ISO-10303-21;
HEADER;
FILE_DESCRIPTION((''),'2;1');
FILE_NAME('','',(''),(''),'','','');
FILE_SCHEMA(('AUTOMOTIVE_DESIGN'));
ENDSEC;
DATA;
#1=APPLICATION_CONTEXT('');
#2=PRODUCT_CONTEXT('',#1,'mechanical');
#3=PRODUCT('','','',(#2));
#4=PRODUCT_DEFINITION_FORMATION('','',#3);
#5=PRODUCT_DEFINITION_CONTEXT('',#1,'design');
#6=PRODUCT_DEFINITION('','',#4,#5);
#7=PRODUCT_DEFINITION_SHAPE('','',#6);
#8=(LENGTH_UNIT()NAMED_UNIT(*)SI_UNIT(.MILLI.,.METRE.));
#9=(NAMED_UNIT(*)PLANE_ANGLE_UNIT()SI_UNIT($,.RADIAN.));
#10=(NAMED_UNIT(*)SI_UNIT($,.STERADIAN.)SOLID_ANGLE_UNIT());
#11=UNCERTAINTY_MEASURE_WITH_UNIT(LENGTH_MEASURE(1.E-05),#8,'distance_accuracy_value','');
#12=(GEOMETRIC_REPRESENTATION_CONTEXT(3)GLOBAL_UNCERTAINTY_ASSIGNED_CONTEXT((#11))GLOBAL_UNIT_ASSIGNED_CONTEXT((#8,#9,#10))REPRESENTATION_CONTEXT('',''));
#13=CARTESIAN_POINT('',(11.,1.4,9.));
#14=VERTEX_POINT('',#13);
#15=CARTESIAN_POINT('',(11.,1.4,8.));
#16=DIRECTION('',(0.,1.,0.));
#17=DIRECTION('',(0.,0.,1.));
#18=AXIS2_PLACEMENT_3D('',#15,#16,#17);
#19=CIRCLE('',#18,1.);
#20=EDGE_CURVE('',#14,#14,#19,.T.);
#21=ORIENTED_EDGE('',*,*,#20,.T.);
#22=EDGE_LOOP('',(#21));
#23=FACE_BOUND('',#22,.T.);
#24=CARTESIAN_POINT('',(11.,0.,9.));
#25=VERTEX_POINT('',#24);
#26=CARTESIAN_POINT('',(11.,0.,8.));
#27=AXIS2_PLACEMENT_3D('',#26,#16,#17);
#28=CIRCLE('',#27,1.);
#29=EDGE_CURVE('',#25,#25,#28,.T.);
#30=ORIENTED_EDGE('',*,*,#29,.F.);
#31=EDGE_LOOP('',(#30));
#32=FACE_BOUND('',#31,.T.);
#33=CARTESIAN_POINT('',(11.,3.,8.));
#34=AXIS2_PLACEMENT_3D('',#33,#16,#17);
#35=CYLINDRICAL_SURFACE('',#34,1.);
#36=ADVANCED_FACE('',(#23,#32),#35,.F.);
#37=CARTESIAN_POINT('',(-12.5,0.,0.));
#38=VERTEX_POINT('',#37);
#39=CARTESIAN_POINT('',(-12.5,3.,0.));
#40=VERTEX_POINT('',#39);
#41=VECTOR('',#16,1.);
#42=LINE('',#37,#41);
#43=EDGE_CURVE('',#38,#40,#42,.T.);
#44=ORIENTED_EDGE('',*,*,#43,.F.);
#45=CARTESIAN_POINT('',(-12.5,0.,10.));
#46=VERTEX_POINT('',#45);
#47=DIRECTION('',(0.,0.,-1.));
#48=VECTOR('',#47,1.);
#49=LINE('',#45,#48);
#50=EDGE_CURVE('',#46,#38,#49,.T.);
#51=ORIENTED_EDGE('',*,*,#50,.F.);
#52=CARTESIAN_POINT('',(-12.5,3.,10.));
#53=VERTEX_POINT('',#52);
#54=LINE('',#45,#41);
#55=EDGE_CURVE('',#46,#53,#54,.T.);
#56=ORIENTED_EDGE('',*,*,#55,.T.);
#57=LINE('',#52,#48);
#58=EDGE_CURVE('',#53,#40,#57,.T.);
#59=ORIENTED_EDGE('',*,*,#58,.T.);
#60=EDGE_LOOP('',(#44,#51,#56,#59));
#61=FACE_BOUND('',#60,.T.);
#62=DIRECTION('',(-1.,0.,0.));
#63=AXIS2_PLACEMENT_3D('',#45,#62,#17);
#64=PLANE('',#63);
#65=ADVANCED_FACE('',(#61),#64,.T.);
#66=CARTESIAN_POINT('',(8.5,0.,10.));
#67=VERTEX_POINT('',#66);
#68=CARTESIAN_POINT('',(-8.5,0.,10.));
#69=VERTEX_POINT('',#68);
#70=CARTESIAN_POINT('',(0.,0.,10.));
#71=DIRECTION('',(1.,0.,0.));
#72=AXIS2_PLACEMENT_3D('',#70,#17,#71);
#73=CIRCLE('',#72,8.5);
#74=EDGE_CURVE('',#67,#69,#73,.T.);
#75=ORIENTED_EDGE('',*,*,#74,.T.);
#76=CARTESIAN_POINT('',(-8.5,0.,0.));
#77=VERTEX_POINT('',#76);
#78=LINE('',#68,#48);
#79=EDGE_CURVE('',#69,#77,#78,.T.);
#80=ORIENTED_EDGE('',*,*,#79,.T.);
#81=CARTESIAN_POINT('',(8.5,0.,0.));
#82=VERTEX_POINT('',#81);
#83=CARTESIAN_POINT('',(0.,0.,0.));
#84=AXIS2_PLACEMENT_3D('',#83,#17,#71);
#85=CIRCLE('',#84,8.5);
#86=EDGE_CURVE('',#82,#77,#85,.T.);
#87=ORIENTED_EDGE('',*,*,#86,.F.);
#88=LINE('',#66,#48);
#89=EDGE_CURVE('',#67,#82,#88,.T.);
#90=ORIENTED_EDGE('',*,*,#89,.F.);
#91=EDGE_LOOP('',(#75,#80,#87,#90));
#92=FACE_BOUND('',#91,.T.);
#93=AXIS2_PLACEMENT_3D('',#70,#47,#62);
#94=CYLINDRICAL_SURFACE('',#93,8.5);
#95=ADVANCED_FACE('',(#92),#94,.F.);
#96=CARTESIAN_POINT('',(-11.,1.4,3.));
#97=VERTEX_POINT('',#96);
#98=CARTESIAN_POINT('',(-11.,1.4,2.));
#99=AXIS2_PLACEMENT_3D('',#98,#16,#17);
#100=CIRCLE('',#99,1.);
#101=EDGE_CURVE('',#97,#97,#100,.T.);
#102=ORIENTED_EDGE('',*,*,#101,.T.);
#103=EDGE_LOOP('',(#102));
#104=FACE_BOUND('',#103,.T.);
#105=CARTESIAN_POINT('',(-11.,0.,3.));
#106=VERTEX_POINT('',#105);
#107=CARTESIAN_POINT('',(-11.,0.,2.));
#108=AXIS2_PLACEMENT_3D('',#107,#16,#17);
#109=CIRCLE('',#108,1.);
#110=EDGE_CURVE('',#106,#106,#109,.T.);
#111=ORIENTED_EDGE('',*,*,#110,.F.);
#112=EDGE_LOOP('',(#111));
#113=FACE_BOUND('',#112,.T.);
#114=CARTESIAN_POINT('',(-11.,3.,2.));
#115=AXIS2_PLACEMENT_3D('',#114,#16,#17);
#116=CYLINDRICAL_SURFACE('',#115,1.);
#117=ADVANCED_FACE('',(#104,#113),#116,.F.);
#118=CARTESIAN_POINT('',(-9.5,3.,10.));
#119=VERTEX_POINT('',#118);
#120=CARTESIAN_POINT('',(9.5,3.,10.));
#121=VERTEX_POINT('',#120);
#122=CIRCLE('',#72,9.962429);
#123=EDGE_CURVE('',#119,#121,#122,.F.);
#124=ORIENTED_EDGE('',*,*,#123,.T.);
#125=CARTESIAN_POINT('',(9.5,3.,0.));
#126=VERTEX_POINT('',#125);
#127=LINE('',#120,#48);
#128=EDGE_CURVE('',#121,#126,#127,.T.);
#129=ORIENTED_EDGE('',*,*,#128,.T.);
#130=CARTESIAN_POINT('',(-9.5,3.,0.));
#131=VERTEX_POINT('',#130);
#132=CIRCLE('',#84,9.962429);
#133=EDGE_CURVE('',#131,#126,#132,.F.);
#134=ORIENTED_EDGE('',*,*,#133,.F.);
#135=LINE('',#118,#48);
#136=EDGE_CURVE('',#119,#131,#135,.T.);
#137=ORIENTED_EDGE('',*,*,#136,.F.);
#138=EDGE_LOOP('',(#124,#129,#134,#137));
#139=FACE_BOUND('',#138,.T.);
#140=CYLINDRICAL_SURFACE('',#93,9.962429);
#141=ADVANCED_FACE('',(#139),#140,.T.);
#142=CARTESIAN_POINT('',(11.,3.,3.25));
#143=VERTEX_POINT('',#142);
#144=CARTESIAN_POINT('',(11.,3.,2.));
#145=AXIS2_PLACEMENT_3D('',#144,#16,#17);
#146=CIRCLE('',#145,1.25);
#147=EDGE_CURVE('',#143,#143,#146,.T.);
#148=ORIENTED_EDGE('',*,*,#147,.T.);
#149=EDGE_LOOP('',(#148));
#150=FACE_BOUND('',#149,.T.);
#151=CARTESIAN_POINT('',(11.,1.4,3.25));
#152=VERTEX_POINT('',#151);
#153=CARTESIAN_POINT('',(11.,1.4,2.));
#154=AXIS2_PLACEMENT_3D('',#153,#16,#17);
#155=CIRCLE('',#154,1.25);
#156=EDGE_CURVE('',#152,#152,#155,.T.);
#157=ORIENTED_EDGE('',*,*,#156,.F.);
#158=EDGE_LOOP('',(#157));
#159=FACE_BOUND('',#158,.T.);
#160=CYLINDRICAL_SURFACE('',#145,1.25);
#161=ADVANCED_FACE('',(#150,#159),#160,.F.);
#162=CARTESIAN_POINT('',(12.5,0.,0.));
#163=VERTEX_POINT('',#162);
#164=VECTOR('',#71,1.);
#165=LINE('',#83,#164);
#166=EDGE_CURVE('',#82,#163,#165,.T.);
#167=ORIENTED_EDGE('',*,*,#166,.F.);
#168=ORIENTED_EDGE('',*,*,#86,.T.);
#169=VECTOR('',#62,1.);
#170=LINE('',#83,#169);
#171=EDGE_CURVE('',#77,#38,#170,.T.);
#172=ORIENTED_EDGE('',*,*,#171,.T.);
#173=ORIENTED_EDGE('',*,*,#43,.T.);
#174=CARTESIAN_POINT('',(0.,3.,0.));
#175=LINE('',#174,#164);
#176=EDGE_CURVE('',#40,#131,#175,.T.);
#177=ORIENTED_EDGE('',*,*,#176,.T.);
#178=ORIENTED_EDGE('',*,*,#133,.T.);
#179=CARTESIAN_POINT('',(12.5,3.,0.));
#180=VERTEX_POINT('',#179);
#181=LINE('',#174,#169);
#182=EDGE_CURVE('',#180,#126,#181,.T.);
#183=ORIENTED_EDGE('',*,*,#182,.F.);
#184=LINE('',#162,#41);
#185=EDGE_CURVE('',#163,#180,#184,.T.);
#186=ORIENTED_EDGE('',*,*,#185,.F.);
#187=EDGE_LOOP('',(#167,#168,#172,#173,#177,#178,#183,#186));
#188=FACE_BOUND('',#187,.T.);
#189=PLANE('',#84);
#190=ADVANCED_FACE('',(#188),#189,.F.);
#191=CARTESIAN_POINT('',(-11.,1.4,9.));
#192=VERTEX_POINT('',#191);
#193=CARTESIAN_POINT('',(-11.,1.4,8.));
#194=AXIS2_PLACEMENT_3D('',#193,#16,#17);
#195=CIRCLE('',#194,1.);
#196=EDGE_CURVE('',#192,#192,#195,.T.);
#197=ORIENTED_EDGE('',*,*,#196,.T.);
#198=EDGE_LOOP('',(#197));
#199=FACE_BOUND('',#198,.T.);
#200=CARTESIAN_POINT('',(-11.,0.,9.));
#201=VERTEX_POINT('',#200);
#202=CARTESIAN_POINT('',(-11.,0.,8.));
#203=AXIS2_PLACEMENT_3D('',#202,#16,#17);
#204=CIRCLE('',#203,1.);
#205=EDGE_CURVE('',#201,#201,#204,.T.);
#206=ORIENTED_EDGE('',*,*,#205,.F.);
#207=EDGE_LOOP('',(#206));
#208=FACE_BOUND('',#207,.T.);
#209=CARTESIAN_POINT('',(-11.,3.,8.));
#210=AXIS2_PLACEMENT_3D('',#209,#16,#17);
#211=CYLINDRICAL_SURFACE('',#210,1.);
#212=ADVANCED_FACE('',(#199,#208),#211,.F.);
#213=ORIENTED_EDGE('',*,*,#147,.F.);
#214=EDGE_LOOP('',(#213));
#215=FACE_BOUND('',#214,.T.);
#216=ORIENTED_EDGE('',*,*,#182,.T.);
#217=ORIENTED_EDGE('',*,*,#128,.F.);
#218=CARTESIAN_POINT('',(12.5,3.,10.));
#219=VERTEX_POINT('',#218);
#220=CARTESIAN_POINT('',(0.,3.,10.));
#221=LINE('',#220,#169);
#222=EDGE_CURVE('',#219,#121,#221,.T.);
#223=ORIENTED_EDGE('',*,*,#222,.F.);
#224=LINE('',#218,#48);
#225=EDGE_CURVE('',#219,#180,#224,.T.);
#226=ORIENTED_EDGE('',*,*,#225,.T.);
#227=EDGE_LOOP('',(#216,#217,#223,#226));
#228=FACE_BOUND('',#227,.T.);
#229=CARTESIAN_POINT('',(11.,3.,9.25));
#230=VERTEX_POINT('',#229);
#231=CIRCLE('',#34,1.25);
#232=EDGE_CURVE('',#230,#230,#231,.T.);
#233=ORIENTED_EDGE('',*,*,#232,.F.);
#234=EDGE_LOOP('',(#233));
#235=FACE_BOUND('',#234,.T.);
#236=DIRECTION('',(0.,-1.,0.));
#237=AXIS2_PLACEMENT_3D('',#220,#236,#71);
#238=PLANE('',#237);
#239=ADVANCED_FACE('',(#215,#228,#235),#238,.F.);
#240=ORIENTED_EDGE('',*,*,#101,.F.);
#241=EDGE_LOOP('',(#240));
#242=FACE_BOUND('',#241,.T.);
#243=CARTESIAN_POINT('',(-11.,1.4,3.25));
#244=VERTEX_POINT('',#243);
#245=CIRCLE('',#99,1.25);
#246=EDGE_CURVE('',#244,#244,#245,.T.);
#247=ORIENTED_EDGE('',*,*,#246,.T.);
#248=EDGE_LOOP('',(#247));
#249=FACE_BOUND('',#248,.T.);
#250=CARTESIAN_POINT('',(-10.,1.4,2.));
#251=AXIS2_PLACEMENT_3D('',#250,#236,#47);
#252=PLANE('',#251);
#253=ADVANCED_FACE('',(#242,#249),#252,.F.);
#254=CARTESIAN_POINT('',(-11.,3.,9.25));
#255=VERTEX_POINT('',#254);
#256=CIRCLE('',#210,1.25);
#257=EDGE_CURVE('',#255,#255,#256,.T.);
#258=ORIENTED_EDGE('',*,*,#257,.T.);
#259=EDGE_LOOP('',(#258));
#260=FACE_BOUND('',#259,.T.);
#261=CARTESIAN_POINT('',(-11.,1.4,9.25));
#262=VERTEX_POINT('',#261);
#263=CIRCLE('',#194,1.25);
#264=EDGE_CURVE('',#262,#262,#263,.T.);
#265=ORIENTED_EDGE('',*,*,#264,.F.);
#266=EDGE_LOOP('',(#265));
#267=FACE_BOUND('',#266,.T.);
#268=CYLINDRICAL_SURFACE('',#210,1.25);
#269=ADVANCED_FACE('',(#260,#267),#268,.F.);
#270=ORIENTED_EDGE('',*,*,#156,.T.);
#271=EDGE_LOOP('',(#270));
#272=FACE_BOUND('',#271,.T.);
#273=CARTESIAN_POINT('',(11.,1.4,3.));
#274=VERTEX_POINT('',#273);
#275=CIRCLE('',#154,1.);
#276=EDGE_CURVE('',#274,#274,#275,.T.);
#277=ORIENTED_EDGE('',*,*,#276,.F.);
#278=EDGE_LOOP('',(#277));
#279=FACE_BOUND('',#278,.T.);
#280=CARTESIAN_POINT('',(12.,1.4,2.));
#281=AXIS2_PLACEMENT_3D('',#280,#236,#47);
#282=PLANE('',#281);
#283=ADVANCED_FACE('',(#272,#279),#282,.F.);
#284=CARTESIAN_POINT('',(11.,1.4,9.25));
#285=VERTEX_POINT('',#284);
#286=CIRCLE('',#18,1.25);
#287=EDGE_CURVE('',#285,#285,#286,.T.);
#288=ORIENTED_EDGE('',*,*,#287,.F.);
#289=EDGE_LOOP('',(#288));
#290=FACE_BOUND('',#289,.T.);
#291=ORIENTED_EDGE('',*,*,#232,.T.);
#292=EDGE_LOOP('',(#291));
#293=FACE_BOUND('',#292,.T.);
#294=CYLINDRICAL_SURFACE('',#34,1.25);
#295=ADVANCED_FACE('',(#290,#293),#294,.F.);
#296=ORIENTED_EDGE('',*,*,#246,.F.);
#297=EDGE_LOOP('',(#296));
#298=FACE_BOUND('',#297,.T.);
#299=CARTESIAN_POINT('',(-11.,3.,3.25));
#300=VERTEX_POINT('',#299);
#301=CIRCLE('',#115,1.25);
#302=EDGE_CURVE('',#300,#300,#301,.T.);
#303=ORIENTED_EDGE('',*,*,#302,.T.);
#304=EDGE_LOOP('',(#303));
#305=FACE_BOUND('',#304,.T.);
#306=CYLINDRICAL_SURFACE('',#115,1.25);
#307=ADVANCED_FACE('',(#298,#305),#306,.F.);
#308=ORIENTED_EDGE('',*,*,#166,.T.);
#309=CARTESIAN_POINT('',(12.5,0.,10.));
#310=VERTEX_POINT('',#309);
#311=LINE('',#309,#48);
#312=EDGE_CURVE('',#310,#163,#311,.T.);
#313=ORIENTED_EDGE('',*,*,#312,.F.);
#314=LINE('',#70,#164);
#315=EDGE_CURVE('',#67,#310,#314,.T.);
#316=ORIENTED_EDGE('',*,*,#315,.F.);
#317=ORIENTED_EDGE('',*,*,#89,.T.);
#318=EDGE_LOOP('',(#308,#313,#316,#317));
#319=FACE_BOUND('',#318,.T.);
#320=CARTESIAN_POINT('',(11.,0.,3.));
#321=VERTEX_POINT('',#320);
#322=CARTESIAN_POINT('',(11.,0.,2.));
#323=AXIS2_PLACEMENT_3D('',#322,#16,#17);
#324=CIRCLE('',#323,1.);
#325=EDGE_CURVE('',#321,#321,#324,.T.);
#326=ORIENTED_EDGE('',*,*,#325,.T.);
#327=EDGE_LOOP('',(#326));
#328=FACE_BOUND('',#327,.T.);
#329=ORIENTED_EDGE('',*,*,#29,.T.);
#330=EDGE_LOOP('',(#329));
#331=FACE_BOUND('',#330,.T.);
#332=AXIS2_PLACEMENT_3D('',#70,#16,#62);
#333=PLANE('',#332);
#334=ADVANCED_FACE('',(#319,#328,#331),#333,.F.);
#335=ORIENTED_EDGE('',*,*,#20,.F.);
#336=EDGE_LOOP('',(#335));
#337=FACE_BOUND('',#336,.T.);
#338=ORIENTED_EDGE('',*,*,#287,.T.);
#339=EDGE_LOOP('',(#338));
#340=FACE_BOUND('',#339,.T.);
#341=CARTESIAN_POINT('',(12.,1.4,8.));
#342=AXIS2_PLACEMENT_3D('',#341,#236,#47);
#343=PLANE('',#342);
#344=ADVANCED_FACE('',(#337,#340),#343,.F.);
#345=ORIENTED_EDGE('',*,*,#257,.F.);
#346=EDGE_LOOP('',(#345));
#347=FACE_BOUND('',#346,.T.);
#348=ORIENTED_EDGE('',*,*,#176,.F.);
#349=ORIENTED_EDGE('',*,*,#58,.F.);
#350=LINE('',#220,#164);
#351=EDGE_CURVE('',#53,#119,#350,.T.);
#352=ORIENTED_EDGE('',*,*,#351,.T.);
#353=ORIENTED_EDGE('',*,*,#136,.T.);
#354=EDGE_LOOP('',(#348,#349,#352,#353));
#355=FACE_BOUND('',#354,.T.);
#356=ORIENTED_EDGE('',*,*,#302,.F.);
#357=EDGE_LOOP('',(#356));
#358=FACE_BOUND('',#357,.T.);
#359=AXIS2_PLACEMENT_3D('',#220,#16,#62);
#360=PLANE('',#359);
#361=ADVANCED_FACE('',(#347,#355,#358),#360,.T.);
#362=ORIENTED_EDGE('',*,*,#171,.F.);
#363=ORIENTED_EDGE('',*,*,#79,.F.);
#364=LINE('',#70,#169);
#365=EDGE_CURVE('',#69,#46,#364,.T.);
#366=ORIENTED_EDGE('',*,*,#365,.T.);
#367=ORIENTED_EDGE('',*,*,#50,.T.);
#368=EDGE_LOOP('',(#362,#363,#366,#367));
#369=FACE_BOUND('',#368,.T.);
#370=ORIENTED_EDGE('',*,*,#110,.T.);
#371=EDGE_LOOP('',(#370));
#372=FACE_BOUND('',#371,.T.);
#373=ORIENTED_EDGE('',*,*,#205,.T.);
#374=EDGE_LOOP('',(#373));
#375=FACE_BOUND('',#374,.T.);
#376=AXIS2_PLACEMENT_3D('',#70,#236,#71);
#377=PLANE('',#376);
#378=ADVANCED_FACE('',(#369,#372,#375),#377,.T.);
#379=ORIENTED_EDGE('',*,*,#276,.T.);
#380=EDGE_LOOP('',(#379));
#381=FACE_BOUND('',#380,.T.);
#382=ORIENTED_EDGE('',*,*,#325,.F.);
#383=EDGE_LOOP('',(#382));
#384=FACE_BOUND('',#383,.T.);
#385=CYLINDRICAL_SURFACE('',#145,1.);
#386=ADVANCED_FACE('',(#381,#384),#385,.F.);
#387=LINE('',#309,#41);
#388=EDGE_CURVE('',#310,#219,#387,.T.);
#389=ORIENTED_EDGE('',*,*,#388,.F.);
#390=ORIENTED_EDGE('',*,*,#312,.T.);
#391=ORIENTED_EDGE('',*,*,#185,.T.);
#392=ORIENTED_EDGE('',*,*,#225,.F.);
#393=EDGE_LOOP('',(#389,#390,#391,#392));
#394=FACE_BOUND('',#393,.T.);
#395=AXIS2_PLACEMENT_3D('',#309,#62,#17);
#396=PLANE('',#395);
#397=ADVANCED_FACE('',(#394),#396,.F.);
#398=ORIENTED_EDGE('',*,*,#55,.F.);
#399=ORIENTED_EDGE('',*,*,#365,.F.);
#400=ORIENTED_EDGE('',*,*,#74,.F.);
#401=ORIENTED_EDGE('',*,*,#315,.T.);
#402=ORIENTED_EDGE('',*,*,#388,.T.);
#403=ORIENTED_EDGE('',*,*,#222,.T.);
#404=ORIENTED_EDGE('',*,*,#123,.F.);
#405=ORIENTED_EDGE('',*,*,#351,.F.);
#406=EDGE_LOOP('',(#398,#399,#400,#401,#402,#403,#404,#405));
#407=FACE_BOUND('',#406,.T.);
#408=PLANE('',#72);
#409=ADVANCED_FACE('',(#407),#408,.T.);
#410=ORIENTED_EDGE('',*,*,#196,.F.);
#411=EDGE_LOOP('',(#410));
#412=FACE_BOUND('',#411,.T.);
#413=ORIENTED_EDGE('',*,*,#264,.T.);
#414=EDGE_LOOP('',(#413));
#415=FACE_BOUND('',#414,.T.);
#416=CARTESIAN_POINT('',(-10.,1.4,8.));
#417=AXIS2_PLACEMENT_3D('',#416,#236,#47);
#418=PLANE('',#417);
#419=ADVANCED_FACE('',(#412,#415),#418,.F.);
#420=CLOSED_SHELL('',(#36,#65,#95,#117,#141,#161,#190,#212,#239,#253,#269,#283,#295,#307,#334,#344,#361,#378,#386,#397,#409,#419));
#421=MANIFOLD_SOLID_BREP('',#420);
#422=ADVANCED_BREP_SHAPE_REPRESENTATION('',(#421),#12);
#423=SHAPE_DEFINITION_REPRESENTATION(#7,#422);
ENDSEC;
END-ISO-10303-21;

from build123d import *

# Parameters (mm, degrees)
SALIENTE_EXTRUIR1_DEPTH                              = 10
REFRENTADO_PARA_TORNILLO_CON_CABEZA_TRON_D           = 2
REFRENTADO_PARA_TORNILLO_CON_CABEZA_TRON_CBORE_D     = 2.5
REFRENTADO_PARA_TORNILLO_CON_CABEZA_TRON_CBORE_DEPTH = 1.6


with BuildPart() as part:
    # Croquis1 → Saliente-Extruir1 (new body)
    with BuildSketch(Plane.XY):
        with BuildLine():
            ThreePointArc((-9.5, 3), (0, 9.962429423), (9.5, 3))
            Line((9.5, 3), (12.5, 3))
            Line((12.5, 3), (12.5, 0))
            Line((12.5, 0), (8.5, 0))
            ThreePointArc((8.5, 0), (0, 8.5), (-8.5, 0))
            Line((-8.5, 0), (-12.5, 0))
            Line((-12.5, 0), (-12.5, 3))
            Line((-12.5, 3), (-9.5, 3))
        make_face()
    extrude(amount=SALIENTE_EXTRUIR1_DEPTH)

    # Refrentado para tornillo con cabeza troncocónica de M23 (through all)
    with Locations(Plane(origin=(-11, 3, 2), x_dir=(1, 0, 0), z_dir=(0, 1, 0))):
        with Locations((0, 0), (0, -6), (22, 0), (22, -6)):
            CounterBoreHole(REFRENTADO_PARA_TORNILLO_CON_CABEZA_TRON_D / 2, REFRENTADO_PARA_TORNILLO_CON_CABEZA_TRON_CBORE_D / 2, REFRENTADO_PARA_TORNILLO_CON_CABEZA_TRON_CBORE_DEPTH)


solid = part.part
